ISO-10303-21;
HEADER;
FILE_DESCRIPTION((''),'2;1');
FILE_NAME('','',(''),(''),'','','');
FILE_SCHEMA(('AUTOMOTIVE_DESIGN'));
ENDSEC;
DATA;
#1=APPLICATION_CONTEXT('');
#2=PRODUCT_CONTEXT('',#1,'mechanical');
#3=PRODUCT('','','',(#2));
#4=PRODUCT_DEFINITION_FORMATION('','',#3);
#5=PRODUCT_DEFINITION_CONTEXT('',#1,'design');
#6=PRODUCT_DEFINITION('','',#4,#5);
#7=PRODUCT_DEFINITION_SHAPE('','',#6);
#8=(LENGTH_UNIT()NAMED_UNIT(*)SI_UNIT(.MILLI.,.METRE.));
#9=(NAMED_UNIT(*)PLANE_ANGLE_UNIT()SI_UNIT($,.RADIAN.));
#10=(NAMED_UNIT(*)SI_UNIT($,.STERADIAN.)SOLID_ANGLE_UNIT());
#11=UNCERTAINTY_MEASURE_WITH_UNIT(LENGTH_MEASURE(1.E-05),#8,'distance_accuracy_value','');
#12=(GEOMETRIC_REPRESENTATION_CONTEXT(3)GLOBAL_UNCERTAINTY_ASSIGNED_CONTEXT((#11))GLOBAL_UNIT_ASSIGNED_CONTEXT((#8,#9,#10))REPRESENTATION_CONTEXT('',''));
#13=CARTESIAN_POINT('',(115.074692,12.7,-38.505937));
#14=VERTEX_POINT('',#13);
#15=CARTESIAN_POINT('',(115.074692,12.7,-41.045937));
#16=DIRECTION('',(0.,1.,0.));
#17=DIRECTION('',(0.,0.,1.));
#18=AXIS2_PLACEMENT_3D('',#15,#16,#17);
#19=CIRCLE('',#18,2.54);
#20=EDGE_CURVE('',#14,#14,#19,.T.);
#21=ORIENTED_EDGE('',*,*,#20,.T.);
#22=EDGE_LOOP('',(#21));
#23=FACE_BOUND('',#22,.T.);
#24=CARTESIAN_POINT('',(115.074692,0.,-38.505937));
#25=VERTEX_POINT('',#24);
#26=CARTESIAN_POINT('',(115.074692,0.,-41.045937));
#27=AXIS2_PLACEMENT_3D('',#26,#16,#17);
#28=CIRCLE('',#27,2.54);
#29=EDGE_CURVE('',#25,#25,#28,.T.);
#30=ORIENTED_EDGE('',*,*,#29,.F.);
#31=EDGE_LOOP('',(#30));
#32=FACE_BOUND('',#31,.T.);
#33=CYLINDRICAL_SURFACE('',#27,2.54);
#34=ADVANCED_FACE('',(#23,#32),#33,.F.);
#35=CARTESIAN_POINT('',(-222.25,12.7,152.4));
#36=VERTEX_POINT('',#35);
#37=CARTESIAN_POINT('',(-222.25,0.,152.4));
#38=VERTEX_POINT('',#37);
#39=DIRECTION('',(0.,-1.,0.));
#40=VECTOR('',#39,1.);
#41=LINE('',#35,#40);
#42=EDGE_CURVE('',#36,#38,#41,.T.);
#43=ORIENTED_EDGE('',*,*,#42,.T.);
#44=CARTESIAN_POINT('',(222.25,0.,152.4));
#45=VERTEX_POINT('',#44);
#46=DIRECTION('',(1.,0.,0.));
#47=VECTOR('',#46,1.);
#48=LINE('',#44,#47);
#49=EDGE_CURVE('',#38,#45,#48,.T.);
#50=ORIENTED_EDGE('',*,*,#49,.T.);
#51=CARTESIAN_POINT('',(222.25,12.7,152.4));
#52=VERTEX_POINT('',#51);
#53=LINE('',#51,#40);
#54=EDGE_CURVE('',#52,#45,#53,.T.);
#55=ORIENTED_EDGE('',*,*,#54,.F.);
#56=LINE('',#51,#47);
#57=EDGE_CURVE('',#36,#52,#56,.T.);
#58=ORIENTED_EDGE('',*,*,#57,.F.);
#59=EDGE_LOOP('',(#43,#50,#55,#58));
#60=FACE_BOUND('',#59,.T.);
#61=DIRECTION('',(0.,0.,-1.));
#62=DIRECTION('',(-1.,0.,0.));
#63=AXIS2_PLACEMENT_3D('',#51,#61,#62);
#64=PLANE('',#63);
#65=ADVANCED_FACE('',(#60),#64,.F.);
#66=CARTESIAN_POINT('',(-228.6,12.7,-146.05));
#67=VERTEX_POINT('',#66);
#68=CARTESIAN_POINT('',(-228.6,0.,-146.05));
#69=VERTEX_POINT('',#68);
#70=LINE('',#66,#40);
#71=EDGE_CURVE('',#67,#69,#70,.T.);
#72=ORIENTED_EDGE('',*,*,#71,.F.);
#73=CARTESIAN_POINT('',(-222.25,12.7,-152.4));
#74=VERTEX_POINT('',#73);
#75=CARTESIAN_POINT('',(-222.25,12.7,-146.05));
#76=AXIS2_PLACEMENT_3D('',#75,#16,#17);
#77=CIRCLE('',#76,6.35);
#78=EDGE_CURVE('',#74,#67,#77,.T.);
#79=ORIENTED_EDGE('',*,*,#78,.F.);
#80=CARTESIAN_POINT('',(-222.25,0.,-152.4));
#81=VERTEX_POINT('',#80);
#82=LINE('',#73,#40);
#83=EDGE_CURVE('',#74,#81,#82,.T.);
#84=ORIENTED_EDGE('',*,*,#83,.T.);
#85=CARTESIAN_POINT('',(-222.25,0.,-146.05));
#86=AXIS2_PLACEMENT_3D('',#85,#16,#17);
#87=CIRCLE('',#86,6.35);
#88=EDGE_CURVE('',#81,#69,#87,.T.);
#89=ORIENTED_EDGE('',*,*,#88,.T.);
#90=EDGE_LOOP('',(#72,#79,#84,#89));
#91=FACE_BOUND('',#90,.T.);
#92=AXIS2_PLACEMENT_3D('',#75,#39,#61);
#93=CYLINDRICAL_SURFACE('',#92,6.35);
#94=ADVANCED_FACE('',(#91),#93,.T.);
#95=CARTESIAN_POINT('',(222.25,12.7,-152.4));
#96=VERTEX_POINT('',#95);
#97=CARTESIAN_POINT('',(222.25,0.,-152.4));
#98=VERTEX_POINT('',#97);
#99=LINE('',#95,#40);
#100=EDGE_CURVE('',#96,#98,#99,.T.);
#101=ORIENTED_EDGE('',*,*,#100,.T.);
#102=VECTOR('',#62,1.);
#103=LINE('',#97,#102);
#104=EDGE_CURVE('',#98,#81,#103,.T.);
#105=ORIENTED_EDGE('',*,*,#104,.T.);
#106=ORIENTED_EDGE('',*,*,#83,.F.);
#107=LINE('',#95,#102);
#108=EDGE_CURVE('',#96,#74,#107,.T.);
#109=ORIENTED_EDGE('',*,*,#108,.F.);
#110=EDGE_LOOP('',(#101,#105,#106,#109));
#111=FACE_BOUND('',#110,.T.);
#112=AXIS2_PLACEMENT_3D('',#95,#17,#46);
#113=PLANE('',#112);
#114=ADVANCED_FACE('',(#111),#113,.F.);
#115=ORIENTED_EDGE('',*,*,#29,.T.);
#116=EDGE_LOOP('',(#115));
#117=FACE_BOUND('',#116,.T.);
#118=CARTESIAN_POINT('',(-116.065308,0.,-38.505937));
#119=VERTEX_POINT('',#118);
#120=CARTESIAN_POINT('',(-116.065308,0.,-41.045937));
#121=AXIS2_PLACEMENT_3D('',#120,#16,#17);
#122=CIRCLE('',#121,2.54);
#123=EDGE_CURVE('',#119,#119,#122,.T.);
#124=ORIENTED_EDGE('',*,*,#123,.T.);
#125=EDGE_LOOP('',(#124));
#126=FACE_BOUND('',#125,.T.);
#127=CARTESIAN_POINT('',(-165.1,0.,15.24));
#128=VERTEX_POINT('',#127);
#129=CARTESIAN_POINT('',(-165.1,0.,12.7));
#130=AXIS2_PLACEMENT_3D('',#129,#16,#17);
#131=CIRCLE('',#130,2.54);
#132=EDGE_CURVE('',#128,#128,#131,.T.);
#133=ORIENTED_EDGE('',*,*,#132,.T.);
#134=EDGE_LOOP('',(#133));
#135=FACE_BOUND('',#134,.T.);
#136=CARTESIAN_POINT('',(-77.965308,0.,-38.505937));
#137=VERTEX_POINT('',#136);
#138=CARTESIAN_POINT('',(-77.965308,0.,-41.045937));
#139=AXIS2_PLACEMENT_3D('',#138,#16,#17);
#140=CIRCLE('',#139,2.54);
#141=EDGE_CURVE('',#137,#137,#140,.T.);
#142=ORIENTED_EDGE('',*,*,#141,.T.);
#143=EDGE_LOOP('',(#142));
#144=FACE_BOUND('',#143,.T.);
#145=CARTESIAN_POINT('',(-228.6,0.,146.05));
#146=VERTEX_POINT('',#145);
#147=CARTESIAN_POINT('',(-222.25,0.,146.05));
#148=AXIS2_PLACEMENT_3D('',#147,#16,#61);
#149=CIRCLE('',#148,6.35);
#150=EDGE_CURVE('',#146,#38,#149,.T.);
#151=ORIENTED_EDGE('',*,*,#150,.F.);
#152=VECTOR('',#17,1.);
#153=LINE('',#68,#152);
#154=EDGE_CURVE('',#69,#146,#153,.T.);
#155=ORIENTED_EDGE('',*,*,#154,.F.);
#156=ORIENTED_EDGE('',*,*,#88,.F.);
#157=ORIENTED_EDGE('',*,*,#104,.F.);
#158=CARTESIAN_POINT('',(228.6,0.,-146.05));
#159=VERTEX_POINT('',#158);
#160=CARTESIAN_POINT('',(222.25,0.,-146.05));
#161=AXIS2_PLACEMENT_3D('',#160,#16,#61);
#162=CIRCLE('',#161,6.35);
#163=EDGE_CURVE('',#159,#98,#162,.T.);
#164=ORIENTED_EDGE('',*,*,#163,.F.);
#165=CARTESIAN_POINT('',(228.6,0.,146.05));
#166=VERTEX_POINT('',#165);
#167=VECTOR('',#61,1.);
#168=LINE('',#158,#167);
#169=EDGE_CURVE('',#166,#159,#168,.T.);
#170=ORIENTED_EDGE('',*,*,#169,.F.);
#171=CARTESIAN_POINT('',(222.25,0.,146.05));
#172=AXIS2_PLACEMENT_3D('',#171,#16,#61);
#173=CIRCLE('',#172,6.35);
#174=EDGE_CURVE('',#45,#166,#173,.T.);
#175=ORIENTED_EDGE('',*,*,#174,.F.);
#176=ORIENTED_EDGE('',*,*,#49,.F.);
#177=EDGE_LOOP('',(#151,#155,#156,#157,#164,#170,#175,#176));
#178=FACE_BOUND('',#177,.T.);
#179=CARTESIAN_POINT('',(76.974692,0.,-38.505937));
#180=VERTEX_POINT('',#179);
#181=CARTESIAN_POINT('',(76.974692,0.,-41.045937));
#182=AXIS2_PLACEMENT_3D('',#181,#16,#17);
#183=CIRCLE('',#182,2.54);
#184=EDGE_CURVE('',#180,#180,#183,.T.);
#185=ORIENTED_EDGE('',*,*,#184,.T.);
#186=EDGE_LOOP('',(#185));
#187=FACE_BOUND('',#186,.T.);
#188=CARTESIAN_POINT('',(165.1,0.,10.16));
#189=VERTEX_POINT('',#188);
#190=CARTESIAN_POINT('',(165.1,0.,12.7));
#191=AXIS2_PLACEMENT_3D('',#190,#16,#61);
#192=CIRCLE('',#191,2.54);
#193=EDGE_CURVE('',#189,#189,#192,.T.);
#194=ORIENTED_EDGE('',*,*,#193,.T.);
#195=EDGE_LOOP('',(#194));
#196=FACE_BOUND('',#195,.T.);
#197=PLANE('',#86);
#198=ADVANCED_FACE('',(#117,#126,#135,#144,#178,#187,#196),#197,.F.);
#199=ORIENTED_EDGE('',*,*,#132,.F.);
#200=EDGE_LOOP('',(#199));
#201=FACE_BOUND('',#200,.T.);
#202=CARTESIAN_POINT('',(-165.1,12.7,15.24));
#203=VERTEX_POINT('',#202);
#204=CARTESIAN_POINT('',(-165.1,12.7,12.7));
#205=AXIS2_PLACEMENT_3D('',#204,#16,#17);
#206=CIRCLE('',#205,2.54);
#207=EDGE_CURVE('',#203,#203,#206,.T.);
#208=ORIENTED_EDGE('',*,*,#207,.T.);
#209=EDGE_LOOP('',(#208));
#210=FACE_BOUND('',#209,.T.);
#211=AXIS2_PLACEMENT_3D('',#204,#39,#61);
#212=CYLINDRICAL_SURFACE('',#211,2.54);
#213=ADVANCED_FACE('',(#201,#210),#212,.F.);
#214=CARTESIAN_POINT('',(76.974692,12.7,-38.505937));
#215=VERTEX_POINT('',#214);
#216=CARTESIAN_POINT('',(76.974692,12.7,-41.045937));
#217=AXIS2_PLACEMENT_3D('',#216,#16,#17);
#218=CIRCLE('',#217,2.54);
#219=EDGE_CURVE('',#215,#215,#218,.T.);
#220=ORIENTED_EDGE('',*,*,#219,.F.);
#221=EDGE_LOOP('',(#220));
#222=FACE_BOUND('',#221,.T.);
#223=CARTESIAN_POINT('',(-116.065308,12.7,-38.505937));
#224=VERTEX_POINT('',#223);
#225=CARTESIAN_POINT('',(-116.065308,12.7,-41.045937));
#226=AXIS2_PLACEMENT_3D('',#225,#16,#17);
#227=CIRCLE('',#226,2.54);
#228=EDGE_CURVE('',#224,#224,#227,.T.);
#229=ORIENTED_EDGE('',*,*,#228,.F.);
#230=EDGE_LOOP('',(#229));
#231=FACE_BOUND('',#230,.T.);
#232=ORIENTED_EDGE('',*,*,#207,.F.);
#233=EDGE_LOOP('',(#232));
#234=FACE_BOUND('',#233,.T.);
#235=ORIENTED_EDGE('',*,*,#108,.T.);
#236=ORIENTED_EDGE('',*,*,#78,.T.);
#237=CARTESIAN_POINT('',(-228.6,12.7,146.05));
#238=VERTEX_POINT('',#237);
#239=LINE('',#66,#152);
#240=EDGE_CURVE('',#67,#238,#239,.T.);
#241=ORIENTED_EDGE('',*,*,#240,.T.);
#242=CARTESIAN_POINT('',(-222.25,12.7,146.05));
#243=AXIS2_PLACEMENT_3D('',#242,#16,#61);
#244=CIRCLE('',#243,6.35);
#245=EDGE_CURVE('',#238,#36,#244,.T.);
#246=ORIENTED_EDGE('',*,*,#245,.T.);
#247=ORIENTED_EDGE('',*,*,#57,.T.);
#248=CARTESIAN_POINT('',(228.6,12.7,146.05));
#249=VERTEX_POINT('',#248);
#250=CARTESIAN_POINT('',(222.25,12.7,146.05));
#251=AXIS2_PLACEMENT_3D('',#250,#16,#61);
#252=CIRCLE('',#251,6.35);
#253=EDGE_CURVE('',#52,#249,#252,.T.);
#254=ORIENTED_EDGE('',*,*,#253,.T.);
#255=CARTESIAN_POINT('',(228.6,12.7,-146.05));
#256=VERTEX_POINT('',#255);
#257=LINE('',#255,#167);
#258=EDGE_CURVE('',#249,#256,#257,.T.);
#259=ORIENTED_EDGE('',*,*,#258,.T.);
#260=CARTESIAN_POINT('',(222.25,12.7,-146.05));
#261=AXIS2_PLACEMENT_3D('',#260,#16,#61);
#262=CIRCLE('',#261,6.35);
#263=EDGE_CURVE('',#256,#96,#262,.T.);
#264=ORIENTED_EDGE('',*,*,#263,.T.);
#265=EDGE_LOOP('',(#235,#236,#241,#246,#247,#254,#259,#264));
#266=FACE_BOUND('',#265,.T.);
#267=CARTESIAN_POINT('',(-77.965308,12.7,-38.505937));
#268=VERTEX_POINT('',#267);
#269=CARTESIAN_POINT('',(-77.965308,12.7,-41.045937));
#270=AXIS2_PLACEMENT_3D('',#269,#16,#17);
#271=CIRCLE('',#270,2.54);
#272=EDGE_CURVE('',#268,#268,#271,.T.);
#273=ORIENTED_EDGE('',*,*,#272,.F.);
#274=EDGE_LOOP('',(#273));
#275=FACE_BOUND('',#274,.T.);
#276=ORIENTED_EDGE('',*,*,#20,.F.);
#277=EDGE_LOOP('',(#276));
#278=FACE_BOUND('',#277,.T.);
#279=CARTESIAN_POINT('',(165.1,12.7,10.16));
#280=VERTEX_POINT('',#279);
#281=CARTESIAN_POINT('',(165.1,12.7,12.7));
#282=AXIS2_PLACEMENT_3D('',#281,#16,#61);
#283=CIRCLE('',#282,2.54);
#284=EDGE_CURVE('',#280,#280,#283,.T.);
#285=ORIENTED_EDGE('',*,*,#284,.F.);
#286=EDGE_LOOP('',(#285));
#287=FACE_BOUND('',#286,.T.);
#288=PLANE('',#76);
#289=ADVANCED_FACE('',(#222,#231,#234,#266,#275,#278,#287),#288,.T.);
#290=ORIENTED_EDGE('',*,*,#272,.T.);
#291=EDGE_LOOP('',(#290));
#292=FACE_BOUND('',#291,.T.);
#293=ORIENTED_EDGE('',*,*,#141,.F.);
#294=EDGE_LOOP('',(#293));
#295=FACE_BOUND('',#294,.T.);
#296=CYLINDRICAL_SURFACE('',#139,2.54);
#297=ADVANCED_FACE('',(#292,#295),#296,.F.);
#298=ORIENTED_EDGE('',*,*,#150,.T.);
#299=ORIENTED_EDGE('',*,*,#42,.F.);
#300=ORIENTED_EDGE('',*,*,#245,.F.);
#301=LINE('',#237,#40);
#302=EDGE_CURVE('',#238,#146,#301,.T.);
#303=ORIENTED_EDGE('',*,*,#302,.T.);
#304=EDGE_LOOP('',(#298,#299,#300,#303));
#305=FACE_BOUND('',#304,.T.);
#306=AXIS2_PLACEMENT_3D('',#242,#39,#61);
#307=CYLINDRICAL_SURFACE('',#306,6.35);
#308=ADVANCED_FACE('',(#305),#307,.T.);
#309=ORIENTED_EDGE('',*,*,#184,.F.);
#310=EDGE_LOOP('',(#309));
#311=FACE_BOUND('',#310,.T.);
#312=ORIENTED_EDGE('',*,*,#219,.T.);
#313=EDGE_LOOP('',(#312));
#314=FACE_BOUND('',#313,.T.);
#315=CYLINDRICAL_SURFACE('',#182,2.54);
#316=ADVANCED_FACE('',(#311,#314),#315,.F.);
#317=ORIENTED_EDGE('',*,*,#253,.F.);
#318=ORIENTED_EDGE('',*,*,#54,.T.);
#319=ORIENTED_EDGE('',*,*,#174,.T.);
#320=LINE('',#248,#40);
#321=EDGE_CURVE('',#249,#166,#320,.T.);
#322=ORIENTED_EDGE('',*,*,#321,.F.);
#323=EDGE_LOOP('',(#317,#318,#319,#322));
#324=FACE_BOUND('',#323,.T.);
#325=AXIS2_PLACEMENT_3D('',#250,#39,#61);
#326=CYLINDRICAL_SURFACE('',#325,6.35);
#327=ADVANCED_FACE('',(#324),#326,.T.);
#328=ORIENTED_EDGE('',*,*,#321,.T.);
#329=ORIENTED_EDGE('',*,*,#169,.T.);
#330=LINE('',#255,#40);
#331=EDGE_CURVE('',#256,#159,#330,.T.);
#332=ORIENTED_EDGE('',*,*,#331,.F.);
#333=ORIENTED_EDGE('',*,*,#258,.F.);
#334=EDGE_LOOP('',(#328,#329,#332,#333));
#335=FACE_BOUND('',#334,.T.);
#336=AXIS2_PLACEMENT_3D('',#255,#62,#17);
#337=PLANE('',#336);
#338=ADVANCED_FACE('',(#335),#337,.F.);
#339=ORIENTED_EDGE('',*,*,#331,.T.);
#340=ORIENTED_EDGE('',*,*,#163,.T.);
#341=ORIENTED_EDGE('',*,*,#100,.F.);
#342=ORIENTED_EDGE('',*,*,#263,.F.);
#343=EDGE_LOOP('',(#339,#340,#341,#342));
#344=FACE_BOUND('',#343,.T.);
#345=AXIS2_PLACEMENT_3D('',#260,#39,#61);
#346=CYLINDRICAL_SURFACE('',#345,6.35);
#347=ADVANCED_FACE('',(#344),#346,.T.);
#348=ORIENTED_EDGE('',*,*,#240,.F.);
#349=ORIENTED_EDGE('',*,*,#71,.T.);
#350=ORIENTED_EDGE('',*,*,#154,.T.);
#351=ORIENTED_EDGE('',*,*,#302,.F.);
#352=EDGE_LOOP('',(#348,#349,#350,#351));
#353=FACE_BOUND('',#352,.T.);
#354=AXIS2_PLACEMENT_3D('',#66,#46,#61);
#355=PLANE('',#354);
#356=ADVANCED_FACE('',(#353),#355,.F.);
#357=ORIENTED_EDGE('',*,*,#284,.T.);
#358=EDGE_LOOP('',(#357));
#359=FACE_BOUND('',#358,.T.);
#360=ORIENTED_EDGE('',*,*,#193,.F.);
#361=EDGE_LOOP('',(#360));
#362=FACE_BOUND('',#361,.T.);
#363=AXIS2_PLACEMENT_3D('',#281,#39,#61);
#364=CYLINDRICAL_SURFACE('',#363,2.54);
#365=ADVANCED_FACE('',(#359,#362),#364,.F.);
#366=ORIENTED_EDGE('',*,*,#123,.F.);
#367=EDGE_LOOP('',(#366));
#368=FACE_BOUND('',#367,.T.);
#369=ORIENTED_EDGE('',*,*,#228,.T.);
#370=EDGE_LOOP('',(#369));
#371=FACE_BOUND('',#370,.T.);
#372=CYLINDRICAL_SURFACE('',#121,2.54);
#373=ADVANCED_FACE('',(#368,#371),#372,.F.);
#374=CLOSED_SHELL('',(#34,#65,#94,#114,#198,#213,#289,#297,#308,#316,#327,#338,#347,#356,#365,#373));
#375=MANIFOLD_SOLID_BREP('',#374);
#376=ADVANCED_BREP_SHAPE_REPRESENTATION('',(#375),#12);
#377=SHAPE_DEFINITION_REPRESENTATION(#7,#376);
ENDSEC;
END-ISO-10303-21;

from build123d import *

# Parameters (mm, degrees)
SKETCH1_R           = 2.54
BOSS_EXTRUDE1_DEPTH = 12.7
SKETCH2_R           = 2.54
CUT_EXTRUDE1_DEPTH  = 12.7


with BuildPart() as part:
    # Sketch1 → Boss-Extrude1 (new body)
    with BuildSketch(Plane(origin=(0, 0, 0), x_dir=(1, 0, 0), z_dir=(0, 1, 0))):
        with BuildLine():
            Line((222.25, 152.4), (-222.25, 152.4))
            ThreePointArc((-222.25, 152.4), (-226.740128061, 150.540128061), (-228.6, 146.05))
            Line((-228.6, 146.05), (-228.6, -146.05))
            ThreePointArc((-228.6, -146.05), (-226.740128061, -150.540128061), (-222.25, -152.4))
            Line((-222.25, -152.4), (222.25, -152.4))
            ThreePointArc((222.25, -152.4), (226.740128061, -150.540128061), (228.6, -146.05))
            Line((228.6, -146.05), (228.6, 146.05))
            ThreePointArc((228.6, 146.05), (226.740128061, 150.540128061), (222.25, 152.4))
        make_face()
        with Locations(Location((-165.1, -12.7, 0), (0, 0, 270))):
            Circle(SKETCH1_R, mode=Mode.SUBTRACT)
        with Locations(Location((165.1, -12.7, 0), (0, 0, 90))):
            Circle(SKETCH1_R, mode=Mode.SUBTRACT)
    extrude(amount=BOSS_EXTRUDE1_DEPTH)

    # Sketch2 → Cut-Extrude1 (cut)
    with BuildSketch(Plane(origin=(0, 12.7, 0), x_dir=(1, 0, 0), z_dir=(0, 1, 0))):
        with Locations(Location((-116.06530762, 41.045936935, 0), (0, 0, 270))):
            Circle(SKETCH2_R)
        with Locations(Location((-77.96530762, 41.045936935, 0), (0, 0, 270))):
            Circle(SKETCH2_R)
        with Locations(Location((76.97469238, 41.045936935, 0), (0, 0, 270))):
            Circle(SKETCH2_R)
        with Locations(Location((115.07469238, 41.045936935, 0), (0, 0, 270))):
            Circle(SKETCH2_R)
    extrude(amount=-CUT_EXTRUDE1_DEPTH, mode=Mode.SUBTRACT)


solid = part.part
